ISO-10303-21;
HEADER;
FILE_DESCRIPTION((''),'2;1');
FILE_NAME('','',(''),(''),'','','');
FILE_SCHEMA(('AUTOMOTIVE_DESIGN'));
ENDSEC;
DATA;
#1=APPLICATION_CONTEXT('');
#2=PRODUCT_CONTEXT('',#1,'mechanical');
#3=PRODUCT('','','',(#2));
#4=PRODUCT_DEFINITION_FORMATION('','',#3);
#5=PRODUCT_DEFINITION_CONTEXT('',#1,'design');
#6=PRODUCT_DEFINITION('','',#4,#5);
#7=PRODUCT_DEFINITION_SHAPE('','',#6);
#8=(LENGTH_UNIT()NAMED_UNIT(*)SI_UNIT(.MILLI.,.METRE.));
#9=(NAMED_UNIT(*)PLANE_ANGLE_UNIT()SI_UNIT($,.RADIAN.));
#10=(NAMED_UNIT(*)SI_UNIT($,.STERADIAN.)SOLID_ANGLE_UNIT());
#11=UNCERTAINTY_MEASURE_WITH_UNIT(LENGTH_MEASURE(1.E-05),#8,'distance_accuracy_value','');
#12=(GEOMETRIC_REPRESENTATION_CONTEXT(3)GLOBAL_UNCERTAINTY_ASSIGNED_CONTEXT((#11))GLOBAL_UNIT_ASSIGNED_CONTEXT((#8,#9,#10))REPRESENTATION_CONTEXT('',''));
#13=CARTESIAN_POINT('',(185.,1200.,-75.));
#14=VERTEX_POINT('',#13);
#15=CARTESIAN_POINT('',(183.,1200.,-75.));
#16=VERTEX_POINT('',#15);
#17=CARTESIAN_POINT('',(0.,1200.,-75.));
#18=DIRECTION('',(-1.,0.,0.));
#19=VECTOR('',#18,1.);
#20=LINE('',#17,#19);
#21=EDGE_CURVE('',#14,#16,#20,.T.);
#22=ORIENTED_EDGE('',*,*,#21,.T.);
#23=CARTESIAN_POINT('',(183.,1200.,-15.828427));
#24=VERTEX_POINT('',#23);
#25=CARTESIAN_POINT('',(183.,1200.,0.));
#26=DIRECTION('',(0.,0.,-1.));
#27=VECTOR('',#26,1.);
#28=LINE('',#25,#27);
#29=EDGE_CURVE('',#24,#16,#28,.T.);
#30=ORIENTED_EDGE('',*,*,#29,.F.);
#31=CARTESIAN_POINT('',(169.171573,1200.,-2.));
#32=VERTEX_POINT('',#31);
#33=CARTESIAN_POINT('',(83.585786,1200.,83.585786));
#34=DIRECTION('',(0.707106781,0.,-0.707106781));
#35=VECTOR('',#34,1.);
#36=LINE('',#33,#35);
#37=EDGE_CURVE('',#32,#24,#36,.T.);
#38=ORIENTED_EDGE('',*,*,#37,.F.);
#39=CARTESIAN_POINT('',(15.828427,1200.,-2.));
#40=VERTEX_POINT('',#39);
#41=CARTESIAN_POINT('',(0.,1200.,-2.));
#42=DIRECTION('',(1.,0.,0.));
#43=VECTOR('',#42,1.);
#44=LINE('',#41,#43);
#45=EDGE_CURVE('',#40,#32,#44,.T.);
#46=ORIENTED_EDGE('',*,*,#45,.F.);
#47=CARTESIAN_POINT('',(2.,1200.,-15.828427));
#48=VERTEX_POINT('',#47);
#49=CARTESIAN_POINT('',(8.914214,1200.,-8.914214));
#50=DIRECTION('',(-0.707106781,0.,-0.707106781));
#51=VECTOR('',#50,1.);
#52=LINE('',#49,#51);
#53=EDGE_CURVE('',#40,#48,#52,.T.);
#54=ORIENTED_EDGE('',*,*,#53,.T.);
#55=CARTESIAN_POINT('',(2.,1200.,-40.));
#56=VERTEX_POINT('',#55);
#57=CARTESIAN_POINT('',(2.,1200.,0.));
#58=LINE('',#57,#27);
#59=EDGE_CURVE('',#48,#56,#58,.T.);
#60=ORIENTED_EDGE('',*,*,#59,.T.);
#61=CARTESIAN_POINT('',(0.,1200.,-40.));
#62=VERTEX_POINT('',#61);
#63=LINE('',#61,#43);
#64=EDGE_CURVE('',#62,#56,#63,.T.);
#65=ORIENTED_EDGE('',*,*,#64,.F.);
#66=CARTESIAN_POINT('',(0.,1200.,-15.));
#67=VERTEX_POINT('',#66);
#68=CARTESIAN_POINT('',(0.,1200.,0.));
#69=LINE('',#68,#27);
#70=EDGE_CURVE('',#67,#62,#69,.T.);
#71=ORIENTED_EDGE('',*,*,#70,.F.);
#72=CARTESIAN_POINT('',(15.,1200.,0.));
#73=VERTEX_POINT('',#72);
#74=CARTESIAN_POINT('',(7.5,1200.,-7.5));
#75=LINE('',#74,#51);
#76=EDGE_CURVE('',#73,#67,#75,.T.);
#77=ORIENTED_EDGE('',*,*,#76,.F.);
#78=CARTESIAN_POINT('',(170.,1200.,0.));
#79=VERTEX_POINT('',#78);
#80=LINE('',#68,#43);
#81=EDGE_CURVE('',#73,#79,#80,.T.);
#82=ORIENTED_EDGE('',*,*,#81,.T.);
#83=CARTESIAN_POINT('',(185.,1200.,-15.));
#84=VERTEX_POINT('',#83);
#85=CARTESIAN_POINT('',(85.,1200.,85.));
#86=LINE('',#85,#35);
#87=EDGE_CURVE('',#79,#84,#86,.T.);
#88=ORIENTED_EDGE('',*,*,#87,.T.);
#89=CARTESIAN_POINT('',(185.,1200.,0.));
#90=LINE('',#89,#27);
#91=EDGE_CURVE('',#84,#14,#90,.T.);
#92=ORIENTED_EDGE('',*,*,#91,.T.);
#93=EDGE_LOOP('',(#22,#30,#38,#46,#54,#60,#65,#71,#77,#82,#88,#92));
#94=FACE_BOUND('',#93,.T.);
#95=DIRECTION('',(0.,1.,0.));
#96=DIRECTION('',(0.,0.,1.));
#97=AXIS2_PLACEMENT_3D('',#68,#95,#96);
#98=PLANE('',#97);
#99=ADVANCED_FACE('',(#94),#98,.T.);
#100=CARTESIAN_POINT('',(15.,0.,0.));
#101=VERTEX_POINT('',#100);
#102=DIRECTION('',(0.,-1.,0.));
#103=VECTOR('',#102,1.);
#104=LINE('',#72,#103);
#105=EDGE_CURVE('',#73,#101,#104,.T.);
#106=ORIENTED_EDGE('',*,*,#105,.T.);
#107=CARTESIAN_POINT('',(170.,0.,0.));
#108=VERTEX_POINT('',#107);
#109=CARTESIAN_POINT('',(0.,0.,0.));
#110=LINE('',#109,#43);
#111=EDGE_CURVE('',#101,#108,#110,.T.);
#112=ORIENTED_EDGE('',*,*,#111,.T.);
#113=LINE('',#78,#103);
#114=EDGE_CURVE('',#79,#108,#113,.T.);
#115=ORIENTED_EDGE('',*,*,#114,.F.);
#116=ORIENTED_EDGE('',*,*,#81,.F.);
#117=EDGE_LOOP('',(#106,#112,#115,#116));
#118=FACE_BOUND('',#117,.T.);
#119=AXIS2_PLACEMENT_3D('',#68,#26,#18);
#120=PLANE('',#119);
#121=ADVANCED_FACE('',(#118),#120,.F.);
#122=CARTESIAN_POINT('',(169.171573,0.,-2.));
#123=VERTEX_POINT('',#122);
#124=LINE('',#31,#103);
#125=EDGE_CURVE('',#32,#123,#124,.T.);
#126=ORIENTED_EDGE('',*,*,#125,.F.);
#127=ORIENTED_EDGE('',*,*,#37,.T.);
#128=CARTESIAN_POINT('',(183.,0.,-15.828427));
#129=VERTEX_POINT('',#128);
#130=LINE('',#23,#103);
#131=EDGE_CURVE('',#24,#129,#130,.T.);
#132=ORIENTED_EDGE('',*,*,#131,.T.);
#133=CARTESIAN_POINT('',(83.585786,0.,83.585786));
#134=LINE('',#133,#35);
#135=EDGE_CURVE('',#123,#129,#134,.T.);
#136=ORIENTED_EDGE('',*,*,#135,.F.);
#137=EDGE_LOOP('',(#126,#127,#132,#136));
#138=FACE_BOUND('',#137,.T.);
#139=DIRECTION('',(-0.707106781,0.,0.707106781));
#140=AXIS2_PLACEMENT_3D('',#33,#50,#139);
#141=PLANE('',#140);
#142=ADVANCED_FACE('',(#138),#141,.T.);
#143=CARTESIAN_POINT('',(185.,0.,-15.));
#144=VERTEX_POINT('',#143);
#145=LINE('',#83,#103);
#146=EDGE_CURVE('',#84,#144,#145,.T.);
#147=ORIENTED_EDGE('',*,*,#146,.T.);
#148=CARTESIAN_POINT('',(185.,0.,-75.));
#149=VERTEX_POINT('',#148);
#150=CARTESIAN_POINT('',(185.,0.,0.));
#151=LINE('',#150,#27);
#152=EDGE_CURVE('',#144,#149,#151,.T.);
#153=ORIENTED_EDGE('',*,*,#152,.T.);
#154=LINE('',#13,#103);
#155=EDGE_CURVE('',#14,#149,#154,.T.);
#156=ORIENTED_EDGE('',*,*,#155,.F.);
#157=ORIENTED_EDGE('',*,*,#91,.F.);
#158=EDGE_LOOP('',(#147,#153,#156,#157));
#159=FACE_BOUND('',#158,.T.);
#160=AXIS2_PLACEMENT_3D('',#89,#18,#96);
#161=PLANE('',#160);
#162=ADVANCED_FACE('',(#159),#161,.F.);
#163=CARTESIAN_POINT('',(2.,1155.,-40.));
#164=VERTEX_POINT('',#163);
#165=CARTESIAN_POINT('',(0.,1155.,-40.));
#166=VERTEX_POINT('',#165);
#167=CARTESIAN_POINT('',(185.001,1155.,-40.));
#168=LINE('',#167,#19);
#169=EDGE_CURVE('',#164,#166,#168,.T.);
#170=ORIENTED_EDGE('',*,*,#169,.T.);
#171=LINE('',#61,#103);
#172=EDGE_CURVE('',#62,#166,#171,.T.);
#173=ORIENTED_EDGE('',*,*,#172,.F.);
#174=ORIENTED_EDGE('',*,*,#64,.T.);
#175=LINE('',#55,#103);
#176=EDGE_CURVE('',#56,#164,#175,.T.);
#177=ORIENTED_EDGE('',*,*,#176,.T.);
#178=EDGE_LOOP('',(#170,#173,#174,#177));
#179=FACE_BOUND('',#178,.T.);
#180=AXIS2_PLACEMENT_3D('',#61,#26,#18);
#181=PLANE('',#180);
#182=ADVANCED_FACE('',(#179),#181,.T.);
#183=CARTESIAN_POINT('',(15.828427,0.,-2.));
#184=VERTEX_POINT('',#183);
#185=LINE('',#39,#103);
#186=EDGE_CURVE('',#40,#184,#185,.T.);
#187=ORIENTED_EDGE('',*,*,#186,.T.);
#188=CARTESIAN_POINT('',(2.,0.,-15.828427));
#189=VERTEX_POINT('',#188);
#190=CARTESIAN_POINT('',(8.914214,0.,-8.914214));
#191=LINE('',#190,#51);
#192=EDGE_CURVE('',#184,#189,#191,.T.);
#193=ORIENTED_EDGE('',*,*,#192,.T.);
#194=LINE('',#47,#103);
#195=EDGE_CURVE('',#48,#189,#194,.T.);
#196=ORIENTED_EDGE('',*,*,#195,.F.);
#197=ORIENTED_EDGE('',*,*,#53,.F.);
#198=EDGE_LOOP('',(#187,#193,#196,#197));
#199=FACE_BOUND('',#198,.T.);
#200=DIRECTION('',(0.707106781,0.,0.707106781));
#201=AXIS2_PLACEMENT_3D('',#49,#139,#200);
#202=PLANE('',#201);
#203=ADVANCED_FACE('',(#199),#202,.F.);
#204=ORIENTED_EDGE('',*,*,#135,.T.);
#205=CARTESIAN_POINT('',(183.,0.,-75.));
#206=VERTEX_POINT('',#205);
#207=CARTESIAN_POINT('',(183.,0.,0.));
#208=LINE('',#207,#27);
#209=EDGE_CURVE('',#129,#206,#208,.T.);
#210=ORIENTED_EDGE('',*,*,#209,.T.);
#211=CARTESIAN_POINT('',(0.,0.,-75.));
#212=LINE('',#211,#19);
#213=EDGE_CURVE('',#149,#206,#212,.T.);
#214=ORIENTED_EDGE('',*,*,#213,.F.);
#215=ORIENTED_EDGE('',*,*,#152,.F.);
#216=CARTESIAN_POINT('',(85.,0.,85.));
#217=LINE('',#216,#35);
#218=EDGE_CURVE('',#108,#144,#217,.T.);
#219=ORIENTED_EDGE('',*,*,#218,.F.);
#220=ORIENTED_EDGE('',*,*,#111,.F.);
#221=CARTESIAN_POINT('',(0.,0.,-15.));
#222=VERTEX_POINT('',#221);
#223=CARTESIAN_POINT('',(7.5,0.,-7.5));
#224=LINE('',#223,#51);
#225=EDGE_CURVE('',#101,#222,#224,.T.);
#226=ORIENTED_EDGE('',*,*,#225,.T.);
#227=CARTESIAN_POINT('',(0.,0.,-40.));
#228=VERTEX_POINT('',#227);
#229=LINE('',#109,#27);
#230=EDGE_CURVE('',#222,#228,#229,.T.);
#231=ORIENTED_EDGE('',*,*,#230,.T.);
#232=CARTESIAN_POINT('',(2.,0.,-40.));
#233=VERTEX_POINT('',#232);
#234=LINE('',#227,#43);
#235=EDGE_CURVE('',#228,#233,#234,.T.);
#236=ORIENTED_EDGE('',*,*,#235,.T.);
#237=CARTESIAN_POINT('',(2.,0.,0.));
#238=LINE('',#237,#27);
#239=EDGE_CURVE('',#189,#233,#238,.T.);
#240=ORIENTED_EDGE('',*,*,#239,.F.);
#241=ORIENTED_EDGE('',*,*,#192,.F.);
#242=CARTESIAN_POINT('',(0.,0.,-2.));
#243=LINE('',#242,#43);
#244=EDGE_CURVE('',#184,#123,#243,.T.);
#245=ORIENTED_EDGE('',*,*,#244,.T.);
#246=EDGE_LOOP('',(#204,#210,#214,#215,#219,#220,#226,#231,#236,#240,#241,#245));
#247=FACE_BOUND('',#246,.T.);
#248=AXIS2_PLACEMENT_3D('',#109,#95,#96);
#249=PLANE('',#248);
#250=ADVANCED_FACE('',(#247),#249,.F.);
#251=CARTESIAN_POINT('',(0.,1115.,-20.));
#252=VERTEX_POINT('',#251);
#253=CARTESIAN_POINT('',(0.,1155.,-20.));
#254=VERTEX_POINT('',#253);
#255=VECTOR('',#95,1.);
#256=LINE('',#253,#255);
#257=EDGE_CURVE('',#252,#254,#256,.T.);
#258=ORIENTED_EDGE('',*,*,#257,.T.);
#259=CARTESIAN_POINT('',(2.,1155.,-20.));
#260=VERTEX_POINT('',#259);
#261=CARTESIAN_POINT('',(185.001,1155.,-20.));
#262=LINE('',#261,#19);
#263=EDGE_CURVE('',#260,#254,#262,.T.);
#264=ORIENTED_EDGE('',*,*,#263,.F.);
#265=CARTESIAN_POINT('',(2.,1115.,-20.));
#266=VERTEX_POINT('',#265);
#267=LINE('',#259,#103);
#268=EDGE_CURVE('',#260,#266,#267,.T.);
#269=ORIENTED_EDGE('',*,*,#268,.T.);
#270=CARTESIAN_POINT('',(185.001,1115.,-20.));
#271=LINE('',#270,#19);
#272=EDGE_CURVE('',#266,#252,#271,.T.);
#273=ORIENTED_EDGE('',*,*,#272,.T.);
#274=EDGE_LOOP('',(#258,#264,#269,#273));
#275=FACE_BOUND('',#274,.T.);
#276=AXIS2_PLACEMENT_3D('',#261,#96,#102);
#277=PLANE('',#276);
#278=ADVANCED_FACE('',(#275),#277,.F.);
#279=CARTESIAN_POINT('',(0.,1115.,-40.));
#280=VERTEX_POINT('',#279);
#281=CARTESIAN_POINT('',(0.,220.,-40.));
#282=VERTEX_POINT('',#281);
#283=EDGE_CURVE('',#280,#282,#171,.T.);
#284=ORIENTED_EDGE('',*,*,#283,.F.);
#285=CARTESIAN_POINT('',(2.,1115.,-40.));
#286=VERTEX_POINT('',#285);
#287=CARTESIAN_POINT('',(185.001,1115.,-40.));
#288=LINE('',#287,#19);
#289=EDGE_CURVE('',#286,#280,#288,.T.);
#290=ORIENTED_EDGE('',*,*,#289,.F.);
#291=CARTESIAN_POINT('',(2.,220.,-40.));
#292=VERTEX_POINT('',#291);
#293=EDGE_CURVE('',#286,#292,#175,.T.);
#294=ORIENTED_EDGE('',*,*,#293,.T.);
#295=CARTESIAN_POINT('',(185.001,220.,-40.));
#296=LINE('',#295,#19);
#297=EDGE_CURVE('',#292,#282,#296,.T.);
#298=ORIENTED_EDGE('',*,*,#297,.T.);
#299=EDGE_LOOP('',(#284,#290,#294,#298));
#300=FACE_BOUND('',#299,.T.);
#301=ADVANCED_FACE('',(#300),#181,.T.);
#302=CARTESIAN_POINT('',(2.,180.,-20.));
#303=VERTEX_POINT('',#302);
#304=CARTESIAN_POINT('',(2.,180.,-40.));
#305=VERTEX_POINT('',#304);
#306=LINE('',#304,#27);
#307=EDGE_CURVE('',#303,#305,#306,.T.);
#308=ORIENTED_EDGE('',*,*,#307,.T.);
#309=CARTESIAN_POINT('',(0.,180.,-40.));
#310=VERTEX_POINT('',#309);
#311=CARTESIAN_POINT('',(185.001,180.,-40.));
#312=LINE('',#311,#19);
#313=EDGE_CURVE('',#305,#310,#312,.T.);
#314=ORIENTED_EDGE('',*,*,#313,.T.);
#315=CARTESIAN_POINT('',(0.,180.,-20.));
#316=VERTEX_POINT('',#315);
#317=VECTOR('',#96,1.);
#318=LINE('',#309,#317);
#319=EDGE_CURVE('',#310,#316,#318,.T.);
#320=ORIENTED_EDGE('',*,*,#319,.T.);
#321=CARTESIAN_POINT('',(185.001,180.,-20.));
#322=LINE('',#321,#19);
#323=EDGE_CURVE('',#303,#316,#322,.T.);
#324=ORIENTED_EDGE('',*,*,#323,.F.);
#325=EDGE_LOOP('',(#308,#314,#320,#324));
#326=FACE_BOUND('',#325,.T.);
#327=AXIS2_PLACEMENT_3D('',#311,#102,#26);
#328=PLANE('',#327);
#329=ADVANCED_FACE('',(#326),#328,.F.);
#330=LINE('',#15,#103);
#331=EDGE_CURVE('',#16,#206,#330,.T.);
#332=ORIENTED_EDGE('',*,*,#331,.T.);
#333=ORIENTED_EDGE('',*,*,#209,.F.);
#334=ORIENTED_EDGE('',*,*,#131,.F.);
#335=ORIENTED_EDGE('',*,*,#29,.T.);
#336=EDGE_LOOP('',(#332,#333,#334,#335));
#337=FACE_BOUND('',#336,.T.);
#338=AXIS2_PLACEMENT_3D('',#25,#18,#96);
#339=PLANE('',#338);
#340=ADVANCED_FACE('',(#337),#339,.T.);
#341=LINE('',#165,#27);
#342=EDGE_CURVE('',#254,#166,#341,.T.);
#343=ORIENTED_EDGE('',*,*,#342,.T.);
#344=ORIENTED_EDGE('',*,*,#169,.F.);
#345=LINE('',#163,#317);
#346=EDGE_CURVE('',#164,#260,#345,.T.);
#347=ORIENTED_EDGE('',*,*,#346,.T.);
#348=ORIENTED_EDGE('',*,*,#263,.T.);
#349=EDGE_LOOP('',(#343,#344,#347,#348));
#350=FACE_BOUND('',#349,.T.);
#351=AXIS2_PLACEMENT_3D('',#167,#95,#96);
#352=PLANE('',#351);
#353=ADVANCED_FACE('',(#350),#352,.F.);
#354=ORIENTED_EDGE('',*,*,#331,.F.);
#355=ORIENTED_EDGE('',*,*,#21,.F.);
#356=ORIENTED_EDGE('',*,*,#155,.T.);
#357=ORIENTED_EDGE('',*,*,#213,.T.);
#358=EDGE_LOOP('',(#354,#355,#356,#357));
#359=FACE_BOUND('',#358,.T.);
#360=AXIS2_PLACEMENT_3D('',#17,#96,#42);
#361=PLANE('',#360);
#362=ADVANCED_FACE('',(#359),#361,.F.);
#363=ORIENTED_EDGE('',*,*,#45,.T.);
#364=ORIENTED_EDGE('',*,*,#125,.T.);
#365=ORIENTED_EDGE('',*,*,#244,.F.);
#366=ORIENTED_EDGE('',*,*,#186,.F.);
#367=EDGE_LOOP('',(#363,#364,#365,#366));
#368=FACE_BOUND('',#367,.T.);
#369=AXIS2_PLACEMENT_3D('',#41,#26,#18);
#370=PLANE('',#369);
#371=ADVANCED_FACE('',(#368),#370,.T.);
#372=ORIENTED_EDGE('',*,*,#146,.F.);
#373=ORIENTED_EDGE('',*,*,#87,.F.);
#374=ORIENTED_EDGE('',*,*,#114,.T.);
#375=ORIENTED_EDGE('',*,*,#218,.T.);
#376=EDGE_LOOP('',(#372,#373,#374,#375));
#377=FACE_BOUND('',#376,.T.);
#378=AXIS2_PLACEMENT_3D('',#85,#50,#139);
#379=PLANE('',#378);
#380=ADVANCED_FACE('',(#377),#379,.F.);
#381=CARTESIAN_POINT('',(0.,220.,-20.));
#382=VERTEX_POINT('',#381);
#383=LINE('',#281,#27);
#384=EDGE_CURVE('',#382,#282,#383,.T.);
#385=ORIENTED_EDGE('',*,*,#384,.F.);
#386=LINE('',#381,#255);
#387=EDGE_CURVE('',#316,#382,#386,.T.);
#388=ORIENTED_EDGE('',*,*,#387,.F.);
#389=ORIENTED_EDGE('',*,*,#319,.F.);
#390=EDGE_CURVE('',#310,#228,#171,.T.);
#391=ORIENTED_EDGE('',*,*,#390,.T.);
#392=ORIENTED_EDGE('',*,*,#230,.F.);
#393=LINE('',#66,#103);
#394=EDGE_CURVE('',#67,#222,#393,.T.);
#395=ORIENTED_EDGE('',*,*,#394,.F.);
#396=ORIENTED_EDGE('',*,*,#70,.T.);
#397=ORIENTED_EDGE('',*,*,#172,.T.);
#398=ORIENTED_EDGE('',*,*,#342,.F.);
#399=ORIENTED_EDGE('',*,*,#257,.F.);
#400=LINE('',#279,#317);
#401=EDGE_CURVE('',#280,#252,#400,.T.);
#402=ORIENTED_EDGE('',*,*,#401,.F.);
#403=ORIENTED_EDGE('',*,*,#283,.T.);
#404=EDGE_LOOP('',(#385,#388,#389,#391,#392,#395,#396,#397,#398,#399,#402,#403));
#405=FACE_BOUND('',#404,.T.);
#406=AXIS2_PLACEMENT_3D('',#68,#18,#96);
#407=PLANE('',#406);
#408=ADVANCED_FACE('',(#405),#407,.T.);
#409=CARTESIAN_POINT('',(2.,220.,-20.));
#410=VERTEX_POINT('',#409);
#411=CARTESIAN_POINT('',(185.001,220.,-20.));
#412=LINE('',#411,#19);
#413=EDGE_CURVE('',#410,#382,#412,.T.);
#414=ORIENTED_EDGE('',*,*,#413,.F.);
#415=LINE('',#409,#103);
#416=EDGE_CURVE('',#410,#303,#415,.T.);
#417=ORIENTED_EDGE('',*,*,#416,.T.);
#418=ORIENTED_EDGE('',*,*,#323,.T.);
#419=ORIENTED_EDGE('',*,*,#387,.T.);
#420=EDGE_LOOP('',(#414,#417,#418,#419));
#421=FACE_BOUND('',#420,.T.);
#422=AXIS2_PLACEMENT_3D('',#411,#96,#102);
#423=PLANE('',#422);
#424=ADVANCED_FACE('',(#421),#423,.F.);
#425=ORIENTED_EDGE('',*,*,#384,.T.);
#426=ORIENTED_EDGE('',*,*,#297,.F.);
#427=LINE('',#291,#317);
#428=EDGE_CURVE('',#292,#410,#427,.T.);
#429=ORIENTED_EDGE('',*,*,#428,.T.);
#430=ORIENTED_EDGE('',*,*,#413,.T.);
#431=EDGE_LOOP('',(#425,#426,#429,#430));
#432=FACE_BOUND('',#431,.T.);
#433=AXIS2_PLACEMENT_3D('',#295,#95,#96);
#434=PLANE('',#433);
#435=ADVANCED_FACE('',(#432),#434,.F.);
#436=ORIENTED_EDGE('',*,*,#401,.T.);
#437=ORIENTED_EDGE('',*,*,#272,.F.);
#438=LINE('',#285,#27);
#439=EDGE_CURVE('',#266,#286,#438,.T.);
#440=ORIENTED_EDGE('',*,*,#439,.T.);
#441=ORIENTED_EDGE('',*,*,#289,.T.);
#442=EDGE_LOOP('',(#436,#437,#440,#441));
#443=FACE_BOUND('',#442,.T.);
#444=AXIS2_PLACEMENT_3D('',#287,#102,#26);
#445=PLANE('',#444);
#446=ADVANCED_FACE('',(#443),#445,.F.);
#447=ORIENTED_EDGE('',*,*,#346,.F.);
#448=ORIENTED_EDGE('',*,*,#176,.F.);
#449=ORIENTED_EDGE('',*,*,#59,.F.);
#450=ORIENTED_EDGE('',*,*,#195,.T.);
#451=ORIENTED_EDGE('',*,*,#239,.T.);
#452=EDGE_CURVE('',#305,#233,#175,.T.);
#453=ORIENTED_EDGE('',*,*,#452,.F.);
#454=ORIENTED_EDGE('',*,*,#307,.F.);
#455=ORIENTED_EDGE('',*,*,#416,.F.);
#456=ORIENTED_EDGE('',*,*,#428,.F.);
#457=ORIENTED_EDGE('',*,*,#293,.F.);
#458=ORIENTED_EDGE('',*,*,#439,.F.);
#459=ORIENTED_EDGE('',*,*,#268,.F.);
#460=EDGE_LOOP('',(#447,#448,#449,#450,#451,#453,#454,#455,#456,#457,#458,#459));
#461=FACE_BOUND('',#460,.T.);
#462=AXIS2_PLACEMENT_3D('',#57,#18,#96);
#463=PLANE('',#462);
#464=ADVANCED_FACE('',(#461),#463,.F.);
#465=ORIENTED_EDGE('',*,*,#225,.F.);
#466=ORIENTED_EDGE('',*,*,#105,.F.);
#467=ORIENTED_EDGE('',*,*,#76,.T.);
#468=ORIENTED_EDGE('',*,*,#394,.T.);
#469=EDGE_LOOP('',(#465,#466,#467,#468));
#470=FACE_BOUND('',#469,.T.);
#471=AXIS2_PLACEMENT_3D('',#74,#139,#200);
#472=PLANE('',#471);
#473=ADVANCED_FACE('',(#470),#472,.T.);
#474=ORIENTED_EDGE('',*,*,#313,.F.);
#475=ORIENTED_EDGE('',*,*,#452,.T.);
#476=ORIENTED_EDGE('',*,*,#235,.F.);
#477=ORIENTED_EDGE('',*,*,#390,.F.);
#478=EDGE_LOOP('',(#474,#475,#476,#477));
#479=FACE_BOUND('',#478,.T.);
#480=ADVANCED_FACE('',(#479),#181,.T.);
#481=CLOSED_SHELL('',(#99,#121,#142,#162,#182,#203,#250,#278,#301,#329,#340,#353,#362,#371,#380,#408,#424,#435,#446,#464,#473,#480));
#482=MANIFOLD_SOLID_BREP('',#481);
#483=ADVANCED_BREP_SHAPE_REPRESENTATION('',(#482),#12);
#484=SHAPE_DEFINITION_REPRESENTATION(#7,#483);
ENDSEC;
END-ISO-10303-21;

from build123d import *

# Parameters (mm, degrees)
BOSS_EXTRUDE1_DEPTH = 1200
CUT_EXTRUDE1_REACH  = 187
SKETCH2_W           = 20
SKETCH2_H           = 40


with BuildPart() as part:
    # Sketch1 → Boss-Extrude1 (new body)
    with BuildSketch(Plane(origin=(0, 0, 0), x_dir=(1, 0, 0), z_dir=(0, 1, 0))):
        Polygon((15.828427125, 2), (2, 15.828427125), (2, 40), (0, 40), (0, 15), (15, 0), (170, 0), (185, 15), (185, 75), (183, 75), (183, 15.828427125), (169.171572875, 2), align=None)
    extrude(amount=BOSS_EXTRUDE1_DEPTH)

    # Sketch2 → Cut-Extrude1 (cut, up to next)
    with BuildSketch(Plane.ZY, mode=Mode.PRIVATE) as cut_extrude1_sk1:
        with Locations((-30, 200)):
            Rectangle(SKETCH2_W, SKETCH2_H)
    cut_extrude1_tool1 = extrude(cut_extrude1_sk1.sketch, amount=-CUT_EXTRUDE1_REACH, mode=Mode.PRIVATE) & part.part
    add(cut_extrude1_tool1.solids().sort_by_distance((0, 200, -30))[0], mode=Mode.SUBTRACT)
    # Sketch2 → Cut-Extrude1 (cut, up to next)
    with BuildSketch(Plane.ZY, mode=Mode.PRIVATE) as cut_extrude1_sk2:
        with Locations((-30, 1135)):
            Rectangle(SKETCH2_W, SKETCH2_H)
    cut_extrude1_tool2 = extrude(cut_extrude1_sk2.sketch, amount=-CUT_EXTRUDE1_REACH, mode=Mode.PRIVATE) & part.part
    add(cut_extrude1_tool2.solids().sort_by_distance((0, 1135, -30))[0], mode=Mode.SUBTRACT)


solid = part.part
